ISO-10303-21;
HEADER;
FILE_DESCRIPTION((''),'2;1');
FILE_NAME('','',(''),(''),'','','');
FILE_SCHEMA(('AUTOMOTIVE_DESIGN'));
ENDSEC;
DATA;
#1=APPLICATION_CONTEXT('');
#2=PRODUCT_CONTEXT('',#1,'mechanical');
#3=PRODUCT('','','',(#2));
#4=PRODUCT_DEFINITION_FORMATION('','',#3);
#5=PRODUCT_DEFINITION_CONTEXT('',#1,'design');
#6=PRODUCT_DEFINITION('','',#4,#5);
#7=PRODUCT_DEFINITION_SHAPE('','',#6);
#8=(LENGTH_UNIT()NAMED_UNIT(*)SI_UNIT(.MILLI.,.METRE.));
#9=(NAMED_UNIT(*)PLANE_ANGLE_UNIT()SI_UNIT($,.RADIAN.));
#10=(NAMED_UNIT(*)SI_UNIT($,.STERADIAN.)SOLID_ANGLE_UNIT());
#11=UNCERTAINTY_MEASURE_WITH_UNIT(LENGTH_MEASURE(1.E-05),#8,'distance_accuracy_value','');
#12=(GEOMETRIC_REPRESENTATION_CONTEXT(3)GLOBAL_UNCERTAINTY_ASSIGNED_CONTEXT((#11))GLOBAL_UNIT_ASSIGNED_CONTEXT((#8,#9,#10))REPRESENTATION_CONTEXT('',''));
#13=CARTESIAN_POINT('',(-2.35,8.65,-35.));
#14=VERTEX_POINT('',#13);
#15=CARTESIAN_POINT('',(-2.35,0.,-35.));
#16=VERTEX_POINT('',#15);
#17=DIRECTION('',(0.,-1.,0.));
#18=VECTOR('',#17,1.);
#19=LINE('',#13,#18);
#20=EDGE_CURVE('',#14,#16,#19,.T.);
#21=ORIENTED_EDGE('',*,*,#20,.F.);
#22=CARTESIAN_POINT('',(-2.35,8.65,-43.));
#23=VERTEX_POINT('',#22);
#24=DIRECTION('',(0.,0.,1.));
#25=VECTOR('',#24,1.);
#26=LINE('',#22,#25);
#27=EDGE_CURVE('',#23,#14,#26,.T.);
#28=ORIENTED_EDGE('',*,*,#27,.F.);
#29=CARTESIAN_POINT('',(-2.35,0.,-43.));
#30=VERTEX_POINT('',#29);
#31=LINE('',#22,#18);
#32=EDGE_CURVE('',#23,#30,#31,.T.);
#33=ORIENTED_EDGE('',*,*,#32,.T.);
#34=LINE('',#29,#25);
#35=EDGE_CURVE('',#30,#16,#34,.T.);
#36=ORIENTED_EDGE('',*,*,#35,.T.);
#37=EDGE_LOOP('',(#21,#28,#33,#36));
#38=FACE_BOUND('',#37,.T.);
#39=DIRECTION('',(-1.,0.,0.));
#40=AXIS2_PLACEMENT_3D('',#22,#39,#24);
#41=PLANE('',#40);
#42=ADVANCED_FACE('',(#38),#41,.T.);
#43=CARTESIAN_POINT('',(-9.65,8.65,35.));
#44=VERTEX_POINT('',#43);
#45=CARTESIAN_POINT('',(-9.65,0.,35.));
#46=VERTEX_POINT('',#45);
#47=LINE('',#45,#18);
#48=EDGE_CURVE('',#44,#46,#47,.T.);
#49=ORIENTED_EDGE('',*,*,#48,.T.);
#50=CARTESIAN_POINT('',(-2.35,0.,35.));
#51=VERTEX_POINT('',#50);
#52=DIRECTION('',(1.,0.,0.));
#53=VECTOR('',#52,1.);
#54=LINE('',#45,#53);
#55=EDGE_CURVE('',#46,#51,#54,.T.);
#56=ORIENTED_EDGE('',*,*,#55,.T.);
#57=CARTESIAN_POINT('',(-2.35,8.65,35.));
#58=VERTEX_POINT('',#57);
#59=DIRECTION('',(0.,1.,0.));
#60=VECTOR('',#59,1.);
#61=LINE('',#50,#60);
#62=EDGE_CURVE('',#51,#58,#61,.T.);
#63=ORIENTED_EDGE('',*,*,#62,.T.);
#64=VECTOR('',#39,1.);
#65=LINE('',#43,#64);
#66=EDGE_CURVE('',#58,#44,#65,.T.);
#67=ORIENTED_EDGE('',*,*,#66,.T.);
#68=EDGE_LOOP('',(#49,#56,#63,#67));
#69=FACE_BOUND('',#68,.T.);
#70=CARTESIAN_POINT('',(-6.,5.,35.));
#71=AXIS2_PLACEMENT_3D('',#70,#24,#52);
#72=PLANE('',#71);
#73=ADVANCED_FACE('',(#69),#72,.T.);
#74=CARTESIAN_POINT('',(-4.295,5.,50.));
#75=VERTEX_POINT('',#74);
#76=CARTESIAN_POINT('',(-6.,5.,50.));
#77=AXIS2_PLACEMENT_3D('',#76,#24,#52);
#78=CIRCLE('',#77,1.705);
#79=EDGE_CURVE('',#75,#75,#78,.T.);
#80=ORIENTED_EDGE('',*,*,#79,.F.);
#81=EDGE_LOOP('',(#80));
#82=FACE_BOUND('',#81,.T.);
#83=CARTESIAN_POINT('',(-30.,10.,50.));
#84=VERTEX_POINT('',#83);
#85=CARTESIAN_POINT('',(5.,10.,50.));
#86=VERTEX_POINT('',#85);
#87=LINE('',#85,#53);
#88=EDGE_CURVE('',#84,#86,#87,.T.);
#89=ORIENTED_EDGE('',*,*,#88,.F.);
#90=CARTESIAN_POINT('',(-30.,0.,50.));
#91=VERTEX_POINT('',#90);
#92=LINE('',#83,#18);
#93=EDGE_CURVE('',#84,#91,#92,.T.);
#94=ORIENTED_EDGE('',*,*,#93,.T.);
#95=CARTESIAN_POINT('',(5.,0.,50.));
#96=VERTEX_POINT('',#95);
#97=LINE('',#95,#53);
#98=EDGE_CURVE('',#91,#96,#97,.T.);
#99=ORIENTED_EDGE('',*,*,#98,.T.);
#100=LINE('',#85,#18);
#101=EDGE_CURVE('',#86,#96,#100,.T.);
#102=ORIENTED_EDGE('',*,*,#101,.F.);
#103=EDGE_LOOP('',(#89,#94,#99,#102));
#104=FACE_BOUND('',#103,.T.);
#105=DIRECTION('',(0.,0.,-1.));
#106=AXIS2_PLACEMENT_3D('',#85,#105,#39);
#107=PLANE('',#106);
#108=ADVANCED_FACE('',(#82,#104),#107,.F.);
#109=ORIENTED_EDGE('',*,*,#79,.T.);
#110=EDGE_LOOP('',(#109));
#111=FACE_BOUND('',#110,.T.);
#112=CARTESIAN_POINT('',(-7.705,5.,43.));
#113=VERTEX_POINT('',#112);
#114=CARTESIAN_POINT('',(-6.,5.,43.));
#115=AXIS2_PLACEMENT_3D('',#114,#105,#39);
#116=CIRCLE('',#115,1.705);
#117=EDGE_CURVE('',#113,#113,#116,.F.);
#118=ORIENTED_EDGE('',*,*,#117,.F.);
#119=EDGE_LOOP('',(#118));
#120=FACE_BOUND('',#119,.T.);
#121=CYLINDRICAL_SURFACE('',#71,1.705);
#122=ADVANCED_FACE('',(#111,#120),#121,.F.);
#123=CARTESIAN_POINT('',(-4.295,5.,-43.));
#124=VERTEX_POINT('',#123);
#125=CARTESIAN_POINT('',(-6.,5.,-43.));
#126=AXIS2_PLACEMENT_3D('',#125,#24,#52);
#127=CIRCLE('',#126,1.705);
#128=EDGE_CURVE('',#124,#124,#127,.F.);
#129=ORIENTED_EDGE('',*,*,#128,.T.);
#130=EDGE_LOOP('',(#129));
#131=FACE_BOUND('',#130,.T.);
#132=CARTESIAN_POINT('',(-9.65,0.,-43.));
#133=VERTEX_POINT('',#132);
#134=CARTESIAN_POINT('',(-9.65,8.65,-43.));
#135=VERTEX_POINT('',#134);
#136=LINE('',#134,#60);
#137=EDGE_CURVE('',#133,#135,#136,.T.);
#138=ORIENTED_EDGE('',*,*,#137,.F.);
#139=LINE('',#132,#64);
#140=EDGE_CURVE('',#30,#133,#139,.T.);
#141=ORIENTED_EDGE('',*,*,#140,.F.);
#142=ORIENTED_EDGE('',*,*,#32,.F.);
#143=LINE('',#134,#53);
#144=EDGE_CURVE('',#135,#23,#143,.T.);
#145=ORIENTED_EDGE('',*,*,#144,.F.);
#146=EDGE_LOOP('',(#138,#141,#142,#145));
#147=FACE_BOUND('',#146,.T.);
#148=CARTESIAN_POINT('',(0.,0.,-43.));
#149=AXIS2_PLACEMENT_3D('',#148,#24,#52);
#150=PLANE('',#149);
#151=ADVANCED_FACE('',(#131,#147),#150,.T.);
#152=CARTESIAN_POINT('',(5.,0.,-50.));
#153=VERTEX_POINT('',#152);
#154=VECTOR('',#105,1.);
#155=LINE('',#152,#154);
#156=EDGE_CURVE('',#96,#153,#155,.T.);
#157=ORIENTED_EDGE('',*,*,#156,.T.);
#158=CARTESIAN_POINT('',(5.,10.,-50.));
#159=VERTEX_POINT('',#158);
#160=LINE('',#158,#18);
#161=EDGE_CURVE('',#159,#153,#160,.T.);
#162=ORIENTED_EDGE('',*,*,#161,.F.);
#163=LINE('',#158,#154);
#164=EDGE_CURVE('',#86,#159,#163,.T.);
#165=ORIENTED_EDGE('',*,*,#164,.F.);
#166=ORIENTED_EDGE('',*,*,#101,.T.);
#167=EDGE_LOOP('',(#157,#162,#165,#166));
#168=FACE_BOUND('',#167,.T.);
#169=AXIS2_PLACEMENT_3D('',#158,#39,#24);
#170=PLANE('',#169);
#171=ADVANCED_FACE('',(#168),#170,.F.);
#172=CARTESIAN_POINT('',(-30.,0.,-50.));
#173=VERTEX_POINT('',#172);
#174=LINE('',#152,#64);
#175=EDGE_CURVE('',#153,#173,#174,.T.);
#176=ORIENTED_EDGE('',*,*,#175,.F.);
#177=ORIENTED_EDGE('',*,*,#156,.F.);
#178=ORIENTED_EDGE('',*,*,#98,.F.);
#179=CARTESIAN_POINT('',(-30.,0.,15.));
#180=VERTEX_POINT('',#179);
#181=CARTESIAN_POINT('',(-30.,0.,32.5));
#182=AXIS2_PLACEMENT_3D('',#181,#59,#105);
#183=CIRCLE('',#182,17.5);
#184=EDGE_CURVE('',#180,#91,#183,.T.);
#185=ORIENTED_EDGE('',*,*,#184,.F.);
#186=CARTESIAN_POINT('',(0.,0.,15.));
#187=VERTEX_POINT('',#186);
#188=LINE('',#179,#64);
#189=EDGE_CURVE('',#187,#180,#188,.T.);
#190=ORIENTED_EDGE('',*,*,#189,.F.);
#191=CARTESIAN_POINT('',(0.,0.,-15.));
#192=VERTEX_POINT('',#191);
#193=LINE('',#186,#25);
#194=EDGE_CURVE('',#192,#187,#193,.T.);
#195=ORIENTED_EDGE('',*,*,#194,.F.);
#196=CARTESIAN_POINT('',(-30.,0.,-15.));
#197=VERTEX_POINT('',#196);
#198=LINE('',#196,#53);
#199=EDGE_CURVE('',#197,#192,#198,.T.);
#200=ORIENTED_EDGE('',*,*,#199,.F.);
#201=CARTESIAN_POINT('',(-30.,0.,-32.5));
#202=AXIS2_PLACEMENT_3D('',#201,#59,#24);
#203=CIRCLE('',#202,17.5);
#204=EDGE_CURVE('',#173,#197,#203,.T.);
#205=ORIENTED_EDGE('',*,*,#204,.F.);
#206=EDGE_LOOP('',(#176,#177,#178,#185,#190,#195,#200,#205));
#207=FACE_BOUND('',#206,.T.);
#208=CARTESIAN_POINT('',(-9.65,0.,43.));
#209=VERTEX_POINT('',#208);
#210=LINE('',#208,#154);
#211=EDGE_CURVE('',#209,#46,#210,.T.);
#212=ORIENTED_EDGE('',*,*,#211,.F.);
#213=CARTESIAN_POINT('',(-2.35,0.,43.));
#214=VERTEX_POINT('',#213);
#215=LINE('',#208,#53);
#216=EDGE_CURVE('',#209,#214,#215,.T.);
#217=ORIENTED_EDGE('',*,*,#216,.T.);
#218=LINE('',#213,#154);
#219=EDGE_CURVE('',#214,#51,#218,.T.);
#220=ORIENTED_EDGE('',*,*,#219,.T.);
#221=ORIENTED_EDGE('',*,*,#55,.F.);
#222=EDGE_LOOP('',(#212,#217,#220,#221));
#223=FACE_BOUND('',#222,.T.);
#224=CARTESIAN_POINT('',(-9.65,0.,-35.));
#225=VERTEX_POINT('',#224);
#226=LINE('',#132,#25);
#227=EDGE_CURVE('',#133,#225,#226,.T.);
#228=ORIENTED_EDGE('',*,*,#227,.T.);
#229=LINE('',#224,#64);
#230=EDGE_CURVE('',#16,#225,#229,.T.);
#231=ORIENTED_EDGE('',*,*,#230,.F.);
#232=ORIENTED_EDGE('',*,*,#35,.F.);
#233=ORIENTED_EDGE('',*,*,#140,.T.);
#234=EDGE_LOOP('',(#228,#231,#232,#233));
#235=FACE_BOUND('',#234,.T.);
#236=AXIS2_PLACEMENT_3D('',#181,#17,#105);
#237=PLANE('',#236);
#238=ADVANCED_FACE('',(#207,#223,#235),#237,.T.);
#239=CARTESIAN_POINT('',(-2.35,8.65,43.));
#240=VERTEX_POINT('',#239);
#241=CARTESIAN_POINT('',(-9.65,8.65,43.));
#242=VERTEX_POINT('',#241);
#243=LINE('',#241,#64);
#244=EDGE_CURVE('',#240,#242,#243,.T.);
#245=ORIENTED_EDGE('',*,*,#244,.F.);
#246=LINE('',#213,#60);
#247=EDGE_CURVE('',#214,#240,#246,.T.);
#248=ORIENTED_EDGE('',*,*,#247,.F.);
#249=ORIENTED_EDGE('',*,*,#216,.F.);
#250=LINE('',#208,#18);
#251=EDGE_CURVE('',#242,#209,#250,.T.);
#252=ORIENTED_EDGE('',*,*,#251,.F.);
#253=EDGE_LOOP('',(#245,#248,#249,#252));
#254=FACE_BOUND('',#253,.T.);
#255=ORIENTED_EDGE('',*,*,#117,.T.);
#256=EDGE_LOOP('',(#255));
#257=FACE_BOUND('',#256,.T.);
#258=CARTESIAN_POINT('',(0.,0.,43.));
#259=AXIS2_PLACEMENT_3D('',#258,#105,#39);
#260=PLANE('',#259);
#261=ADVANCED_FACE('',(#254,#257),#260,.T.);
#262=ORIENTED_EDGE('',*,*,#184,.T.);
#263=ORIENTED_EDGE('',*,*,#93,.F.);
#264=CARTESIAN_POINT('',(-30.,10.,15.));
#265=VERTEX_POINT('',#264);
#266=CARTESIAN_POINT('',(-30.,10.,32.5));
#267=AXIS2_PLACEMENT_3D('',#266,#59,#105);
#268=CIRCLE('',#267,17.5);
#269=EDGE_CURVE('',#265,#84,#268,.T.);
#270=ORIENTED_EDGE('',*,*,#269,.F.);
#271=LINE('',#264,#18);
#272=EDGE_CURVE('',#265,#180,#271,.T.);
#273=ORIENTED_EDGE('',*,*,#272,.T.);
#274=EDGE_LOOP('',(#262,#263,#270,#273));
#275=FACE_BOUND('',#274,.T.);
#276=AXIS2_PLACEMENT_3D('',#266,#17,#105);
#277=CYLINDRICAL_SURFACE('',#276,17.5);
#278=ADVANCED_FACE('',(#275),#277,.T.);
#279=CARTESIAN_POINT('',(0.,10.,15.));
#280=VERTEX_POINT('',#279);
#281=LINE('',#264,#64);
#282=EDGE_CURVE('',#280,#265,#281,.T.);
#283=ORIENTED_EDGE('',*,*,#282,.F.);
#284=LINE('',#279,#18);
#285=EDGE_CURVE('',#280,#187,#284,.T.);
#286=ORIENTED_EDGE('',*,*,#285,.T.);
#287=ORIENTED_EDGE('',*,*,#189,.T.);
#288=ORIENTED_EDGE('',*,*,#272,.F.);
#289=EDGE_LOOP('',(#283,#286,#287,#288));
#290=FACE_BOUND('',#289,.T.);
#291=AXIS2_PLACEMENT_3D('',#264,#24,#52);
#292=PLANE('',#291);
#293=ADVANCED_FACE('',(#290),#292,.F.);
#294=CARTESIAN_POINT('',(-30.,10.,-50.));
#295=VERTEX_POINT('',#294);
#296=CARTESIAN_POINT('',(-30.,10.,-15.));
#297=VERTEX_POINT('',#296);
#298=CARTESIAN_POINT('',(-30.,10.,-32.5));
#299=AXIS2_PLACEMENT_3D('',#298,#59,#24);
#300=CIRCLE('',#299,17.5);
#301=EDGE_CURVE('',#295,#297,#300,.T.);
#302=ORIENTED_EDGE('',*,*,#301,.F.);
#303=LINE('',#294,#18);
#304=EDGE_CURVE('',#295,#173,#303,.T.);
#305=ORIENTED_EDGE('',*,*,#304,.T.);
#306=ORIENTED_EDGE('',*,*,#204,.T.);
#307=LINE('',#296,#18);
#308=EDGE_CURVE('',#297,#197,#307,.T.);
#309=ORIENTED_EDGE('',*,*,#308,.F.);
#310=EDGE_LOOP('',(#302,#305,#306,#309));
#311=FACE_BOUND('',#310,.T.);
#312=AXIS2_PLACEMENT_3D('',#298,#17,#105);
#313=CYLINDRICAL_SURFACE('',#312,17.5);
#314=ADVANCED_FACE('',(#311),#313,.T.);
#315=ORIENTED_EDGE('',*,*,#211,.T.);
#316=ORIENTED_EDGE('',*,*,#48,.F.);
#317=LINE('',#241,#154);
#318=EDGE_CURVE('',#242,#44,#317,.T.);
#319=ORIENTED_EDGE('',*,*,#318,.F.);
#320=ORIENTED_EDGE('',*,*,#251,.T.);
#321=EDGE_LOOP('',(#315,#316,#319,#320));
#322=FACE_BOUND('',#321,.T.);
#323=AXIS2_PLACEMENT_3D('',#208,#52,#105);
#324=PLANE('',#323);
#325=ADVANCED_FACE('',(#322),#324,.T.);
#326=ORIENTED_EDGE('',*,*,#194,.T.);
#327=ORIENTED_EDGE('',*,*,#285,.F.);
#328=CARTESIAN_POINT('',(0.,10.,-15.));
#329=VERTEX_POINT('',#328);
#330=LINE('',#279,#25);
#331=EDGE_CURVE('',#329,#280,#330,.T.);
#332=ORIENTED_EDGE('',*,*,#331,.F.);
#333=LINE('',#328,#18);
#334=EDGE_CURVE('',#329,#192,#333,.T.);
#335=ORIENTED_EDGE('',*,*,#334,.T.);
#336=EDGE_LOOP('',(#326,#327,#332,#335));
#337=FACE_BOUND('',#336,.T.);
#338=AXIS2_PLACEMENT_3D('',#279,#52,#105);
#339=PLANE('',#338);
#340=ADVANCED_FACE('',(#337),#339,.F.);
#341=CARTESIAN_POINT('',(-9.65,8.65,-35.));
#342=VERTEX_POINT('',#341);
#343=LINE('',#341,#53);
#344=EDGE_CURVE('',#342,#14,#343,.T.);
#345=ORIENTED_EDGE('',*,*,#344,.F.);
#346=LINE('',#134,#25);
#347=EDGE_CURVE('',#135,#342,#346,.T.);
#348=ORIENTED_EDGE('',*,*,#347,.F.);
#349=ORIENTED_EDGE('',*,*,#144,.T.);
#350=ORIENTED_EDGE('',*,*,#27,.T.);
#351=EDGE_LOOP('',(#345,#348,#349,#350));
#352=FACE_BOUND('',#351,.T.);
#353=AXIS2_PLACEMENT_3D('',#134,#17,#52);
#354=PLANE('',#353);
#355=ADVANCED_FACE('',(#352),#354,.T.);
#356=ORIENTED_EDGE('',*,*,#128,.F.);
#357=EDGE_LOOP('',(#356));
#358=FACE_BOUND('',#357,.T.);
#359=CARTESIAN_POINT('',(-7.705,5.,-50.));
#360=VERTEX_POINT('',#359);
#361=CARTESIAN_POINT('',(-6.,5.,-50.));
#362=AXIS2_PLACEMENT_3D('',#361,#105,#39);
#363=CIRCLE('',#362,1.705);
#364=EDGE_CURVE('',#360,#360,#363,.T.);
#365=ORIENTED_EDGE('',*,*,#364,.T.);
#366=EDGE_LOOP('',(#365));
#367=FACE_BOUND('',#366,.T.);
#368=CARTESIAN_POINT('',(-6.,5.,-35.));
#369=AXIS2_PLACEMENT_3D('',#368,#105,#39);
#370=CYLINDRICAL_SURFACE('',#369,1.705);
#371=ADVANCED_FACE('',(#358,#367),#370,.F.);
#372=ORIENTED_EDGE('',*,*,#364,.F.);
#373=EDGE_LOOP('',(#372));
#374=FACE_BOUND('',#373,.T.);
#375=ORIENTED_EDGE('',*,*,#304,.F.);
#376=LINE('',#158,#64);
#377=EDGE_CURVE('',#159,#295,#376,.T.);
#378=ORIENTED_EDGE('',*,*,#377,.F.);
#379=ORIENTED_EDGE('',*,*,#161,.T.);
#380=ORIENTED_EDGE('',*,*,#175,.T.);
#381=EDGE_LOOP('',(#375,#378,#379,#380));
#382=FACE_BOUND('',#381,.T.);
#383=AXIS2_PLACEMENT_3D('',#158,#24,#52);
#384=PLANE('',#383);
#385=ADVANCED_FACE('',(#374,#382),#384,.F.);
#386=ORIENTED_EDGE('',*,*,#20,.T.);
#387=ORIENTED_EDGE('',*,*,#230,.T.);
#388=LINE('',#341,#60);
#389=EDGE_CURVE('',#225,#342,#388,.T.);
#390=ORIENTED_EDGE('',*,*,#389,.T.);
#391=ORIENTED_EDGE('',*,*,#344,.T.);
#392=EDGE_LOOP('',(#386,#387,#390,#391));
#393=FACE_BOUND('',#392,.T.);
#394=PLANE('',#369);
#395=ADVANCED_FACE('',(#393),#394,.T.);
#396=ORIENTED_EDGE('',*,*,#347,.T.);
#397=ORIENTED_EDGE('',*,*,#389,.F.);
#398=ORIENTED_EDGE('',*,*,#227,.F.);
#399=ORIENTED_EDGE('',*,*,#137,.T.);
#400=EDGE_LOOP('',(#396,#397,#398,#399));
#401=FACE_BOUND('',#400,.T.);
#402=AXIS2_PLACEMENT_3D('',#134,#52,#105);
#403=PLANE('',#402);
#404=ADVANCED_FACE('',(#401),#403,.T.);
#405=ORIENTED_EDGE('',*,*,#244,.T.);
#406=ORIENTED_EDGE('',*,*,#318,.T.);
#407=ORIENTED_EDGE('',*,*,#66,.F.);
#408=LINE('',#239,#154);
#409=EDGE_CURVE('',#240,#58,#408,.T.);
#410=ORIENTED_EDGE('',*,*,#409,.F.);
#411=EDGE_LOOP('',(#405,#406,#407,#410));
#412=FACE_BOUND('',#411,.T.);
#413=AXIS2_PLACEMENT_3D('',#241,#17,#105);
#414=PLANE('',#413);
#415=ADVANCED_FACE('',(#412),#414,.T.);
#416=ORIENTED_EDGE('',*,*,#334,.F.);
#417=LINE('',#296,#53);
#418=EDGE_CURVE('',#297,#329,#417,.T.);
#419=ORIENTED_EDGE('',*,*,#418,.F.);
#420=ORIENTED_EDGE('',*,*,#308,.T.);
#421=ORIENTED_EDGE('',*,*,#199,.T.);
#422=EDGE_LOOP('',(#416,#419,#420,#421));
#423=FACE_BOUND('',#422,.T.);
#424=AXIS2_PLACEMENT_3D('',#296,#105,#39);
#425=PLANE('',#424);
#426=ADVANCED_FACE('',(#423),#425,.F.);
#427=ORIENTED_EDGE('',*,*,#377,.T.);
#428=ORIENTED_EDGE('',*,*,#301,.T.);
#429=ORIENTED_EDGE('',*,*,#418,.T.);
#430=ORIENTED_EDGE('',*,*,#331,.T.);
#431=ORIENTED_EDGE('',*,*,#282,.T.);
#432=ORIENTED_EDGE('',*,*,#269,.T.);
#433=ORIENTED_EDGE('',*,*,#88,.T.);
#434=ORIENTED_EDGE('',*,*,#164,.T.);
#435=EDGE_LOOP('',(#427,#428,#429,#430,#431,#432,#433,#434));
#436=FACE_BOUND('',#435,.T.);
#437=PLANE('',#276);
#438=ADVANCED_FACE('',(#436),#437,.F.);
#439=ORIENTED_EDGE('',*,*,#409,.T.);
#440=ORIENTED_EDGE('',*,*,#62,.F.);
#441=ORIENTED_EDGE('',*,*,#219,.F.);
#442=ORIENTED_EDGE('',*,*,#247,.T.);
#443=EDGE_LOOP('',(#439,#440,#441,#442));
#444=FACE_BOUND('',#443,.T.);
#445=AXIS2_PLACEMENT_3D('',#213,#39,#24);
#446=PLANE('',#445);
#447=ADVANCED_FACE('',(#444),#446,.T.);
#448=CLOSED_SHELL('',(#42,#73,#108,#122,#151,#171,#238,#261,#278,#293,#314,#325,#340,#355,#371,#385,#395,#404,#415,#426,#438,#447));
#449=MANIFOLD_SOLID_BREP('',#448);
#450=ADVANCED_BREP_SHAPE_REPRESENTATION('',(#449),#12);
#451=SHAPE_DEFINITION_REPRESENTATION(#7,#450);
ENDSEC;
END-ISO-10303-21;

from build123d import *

# Parameters (mm, degrees)
BOSS_EXTRUDE1_DEPTH = 10
SKETCH2_R           = 1.705
CUT_EXTRUDE1_DEPTH  = 15
SKETCH3_W           = 7.3
SKETCH3_H           = 8.65
CUT_EXTRUDE2_DEPTH  = 8
SKETCH4_R           = 1.705
CUT_EXTRUDE3_DEPTH  = 15
SKETCH5_W           = 7.3
SKETCH5_H           = 8.65
CUT_EXTRUDE4_DEPTH  = 8


with BuildPart() as part:
    # Sketch1 → Boss-Extrude1 (new body)
    with BuildSketch(Plane(origin=(0, 0, 0), x_dir=(1, 0, 0), z_dir=(0, 1, 0))):
        with BuildLine():
            Line((5, 50), (5, -50))
            Line((5, -50), (-30, -50))
            ThreePointArc((-30, -50), (-47.5, -32.5), (-30, -15))
            Line((-30, -15), (0, -15))
            Line((0, -15), (0, 15))
            Line((0, 15), (-30, 15))
            ThreePointArc((-30, 15), (-47.5, 32.5), (-30, 50))
            Line((-30, 50), (5, 50))
        make_face()
    extrude(amount=BOSS_EXTRUDE1_DEPTH)

    # Sketch2 → Cut-Extrude1 (cut)
    with BuildSketch(Plane.XY.offset(50)):
        with Locations((-6, 5)):
            Circle(SKETCH2_R)
    extrude(amount=-CUT_EXTRUDE1_DEPTH, mode=Mode.SUBTRACT)

    # Sketch3 → Cut-Extrude2 (cut)
    with BuildSketch(Plane.XY.offset(35)):
        with Locations((-6, 4.325)):
            Rectangle(SKETCH3_W, SKETCH3_H)
    extrude(amount=CUT_EXTRUDE2_DEPTH, mode=Mode.SUBTRACT)

    # Sketch4 → Cut-Extrude3 (cut)
    with BuildSketch(Plane(origin=(0, 0, -50), x_dir=(-1, 0, 0), z_dir=(0, 0, -1))):
        with Locations((6, 5)):
            Circle(SKETCH4_R)
    extrude(amount=-CUT_EXTRUDE3_DEPTH, mode=Mode.SUBTRACT)

    # Sketch5 → Cut-Extrude4 (cut)
    with BuildSketch(Plane(origin=(0, 0, -35), x_dir=(-1, 0, 0), z_dir=(0, 0, -1))):
        with Locations((6, 4.325)):
            Rectangle(SKETCH5_W, SKETCH5_H)
    extrude(amount=CUT_EXTRUDE4_DEPTH, mode=Mode.SUBTRACT)


solid = part.part
